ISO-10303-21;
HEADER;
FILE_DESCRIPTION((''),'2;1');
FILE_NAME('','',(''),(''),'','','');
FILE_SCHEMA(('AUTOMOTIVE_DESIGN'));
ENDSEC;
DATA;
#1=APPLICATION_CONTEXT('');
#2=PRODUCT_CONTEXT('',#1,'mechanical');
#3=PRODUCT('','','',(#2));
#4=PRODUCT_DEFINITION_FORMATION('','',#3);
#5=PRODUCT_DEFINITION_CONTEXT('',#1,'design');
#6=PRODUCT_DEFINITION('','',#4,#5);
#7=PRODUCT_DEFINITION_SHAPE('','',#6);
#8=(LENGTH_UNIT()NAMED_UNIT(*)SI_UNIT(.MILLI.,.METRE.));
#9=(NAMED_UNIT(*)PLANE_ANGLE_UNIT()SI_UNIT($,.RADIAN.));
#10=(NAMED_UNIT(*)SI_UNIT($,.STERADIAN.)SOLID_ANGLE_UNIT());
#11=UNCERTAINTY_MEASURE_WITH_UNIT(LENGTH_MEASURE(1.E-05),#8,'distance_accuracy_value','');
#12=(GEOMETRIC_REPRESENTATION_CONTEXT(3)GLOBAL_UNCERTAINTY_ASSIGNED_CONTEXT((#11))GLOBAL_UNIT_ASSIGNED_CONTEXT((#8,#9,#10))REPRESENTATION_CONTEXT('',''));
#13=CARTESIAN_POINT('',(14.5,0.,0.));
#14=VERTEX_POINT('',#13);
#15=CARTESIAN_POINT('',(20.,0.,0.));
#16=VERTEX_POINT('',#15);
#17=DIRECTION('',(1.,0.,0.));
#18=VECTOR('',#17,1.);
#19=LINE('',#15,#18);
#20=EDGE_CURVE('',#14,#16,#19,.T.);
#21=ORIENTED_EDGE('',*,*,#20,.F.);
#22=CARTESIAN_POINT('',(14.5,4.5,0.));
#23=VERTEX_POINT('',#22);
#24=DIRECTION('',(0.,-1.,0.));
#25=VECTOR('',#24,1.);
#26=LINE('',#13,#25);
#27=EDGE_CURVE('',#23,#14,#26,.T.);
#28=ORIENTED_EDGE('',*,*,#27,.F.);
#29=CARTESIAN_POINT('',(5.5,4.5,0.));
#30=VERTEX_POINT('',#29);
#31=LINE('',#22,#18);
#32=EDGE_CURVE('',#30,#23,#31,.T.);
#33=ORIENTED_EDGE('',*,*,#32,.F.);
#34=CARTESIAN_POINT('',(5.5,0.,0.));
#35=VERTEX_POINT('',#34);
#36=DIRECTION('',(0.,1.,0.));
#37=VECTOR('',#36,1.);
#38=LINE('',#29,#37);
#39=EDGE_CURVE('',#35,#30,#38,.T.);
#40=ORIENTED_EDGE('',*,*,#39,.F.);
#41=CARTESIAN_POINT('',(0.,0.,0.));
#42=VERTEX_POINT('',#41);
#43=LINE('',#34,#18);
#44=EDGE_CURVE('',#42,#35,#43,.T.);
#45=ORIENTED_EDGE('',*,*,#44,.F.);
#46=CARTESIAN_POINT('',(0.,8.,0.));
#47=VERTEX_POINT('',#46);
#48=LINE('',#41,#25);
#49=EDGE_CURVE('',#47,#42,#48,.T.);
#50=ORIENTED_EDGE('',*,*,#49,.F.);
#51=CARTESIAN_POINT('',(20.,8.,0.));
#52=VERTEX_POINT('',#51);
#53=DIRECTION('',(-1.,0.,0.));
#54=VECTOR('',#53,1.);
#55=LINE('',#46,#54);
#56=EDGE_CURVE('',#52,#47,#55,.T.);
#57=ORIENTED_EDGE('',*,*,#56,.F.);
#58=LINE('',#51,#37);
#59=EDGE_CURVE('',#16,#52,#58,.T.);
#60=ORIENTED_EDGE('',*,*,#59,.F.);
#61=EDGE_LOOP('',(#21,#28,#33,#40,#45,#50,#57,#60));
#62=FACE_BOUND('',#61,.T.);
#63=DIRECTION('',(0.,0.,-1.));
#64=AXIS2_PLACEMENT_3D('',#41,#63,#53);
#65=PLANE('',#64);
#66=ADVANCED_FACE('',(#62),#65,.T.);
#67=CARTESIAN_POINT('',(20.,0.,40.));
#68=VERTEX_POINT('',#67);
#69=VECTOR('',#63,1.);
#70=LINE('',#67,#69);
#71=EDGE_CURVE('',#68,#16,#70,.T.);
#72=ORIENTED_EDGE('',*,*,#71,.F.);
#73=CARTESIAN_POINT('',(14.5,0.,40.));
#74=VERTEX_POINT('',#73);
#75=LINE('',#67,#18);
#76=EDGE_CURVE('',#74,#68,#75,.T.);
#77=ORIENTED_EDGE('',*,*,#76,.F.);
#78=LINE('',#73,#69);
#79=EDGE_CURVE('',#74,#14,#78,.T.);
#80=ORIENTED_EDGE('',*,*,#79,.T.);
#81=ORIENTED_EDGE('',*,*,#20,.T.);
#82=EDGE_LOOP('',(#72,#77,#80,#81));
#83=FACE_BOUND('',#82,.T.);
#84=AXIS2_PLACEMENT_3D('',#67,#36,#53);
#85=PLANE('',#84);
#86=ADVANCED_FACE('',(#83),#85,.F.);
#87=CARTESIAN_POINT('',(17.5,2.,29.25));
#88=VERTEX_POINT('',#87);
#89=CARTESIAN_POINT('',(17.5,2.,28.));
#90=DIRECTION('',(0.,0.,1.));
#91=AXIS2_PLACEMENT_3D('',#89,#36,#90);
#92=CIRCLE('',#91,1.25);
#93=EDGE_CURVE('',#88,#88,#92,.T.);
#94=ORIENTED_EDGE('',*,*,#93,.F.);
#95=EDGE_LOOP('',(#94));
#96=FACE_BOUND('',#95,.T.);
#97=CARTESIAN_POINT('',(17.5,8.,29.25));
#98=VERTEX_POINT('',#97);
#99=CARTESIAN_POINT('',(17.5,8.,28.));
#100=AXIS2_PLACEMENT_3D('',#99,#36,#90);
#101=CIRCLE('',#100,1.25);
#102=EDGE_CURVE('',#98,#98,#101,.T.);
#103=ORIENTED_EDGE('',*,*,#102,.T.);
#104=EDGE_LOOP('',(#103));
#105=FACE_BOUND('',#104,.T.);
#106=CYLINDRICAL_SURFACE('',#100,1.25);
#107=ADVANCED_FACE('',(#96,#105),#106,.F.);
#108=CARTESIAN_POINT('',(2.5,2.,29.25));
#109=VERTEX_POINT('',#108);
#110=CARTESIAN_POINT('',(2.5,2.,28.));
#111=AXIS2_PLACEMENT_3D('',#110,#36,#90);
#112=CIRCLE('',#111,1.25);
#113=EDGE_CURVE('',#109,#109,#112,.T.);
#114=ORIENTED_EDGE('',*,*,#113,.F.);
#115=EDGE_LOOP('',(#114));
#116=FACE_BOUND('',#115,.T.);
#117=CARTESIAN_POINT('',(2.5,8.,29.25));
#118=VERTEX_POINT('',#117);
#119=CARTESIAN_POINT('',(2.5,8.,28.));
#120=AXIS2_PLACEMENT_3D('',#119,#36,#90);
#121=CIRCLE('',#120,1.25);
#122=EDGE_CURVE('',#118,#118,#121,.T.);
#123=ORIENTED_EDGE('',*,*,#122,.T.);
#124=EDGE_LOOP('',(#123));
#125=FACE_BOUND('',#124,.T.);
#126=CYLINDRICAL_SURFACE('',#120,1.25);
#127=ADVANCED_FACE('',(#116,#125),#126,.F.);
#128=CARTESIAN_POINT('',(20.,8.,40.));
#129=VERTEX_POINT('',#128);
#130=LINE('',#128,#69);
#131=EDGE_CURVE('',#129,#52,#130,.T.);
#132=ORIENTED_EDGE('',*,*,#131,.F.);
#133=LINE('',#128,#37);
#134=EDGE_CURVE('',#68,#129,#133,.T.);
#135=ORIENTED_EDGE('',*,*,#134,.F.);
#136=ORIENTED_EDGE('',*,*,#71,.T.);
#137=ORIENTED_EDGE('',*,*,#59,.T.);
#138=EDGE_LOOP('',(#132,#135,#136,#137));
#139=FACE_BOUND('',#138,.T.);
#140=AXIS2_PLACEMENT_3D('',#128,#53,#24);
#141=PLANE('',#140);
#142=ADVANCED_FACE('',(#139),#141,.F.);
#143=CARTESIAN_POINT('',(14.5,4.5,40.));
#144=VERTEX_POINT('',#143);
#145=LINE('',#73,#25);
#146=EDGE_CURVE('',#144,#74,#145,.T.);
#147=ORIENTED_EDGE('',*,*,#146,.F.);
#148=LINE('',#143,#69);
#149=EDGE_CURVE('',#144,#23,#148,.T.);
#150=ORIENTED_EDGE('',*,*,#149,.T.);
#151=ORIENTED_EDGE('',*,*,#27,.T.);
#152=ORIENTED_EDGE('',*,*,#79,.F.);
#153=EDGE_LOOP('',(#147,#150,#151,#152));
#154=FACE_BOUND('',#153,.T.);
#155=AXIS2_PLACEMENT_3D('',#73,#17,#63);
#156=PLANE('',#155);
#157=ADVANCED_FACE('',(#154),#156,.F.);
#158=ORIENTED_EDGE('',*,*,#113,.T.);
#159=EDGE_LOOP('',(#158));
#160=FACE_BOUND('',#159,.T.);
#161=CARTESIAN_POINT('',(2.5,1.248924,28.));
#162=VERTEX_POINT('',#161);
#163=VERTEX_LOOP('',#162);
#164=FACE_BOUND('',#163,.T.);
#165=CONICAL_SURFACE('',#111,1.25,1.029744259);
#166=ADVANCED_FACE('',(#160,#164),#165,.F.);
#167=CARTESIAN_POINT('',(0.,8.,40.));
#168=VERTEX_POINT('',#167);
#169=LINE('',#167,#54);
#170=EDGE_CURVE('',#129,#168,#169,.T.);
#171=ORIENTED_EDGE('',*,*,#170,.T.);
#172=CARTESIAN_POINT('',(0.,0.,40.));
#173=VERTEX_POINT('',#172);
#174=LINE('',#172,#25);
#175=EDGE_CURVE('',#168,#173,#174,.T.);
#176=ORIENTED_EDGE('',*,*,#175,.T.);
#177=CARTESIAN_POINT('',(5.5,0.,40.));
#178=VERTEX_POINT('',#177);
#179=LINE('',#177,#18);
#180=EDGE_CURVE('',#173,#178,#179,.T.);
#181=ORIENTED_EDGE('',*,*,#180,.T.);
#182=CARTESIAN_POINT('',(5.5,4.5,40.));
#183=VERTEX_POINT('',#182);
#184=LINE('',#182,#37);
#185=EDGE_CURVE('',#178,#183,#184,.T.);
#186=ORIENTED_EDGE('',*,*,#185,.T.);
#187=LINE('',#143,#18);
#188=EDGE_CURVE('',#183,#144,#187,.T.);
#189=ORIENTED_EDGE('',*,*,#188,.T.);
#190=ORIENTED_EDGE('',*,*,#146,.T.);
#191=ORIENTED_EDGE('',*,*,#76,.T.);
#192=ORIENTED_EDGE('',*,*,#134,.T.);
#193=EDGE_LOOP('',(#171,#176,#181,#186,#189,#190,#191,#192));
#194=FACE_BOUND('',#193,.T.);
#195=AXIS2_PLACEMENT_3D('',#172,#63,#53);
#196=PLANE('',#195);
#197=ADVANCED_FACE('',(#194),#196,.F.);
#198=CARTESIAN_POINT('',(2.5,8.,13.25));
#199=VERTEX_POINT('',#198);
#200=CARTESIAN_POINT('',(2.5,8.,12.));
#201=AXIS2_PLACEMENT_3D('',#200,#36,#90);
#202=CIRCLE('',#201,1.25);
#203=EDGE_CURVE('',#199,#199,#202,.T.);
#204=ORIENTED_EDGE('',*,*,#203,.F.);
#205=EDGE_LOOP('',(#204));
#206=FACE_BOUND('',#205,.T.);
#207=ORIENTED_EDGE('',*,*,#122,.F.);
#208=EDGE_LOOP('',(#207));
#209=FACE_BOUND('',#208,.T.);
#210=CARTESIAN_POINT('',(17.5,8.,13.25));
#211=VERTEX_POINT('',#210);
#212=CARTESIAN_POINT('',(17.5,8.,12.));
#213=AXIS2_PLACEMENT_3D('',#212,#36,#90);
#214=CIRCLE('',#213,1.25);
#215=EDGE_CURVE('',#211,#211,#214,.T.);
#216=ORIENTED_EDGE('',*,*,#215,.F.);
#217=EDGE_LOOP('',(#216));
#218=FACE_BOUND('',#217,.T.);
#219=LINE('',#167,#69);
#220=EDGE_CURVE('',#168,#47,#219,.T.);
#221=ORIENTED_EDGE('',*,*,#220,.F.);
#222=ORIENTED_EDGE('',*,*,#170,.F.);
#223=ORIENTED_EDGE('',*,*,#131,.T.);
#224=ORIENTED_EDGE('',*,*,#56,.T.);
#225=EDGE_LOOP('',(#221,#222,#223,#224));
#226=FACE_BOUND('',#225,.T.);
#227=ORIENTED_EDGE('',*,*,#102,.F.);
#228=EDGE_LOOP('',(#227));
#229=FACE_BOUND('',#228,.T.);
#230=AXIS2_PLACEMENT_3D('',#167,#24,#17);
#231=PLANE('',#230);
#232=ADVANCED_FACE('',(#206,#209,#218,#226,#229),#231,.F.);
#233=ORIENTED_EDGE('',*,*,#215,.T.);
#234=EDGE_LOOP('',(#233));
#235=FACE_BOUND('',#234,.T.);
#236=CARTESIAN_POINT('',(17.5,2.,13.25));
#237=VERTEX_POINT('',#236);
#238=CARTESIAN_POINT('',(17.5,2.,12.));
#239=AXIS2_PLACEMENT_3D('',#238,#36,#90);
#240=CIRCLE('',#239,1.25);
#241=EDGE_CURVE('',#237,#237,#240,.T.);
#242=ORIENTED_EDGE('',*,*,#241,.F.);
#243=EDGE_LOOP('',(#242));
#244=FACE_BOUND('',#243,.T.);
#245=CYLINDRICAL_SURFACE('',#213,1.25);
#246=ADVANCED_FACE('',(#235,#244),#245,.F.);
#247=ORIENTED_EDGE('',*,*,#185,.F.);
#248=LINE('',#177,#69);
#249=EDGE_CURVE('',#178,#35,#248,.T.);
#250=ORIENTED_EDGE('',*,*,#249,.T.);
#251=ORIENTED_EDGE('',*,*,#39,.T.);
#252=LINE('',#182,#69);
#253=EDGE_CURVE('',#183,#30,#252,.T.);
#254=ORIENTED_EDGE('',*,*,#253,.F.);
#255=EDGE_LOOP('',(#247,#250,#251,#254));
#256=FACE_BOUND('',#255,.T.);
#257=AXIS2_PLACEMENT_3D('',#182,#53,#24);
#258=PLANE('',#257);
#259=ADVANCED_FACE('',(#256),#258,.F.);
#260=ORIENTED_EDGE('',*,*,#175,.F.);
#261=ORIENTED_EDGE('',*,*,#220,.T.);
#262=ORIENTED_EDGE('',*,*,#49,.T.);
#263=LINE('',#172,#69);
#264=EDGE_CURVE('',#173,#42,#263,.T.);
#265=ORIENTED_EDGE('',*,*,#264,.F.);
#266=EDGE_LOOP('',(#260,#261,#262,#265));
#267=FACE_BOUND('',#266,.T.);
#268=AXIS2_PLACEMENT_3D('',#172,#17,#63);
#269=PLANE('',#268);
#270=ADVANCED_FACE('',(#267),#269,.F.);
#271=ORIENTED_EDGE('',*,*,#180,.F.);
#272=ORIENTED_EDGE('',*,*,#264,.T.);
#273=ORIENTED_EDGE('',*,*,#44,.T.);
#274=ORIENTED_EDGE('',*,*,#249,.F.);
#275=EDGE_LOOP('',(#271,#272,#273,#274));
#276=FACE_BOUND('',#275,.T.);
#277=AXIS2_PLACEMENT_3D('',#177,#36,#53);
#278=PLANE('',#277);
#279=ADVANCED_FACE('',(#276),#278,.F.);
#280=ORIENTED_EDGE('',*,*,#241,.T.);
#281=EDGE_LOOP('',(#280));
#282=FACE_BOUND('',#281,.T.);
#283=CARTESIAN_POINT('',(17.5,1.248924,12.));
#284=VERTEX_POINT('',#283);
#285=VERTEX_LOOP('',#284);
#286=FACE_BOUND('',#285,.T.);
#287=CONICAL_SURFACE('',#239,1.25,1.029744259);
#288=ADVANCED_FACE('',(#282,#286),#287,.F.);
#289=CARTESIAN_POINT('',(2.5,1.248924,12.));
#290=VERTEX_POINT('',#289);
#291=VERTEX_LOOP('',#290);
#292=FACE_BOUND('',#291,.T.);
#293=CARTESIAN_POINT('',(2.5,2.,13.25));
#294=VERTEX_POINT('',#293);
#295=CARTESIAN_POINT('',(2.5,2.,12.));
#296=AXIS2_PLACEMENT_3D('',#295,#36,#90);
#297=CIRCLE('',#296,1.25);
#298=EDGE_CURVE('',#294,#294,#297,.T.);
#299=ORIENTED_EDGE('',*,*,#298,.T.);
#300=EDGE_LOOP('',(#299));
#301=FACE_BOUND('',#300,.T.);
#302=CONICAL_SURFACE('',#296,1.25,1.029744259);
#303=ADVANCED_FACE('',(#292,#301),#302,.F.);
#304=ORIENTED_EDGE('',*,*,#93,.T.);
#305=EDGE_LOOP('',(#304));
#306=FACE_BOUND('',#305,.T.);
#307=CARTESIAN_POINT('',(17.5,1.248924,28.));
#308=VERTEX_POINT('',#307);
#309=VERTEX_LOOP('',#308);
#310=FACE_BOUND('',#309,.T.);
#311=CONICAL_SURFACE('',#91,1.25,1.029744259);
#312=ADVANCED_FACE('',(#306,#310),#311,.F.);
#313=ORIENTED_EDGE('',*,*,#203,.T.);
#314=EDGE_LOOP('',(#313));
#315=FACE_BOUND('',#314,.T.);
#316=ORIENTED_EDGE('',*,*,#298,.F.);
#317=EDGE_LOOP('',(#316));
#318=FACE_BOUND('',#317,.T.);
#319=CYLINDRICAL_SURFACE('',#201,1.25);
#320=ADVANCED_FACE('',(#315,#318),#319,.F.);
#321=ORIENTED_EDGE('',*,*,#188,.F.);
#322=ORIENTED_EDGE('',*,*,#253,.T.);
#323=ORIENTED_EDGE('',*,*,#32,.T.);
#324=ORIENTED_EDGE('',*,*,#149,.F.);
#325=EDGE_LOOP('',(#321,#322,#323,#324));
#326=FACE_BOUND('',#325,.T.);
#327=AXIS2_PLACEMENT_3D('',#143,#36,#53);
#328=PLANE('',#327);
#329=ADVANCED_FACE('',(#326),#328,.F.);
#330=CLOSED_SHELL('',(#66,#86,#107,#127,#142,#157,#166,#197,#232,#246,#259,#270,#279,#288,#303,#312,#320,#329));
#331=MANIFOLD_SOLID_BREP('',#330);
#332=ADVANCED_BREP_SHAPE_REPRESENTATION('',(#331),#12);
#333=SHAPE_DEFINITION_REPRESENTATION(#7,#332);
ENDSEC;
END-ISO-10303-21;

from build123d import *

# Parameters (mm, degrees)
BOSS_EXTRUDE1_DEPTH       = 40
M3X0_5_TAPPED_HOLE1_D     = 2.5
M3X0_5_TAPPED_HOLE1_DEPTH = 6
M3X0_5_TAPPED_HOLE1_TIP   = 0.751075774


with BuildPart() as part:
    # Sketch2 → Boss-Extrude1 (new body)
    with BuildSketch(Plane.XY):
        Polygon((0, 0), (0, 8), (20, 8), (20, 0), (14.5, 0), (14.5, 4.5), (5.5, 4.5), (5.5, 0), align=None)
    extrude(amount=BOSS_EXTRUDE1_DEPTH)

    # M3x0.5 Tapped Hole1
    with Locations(Plane(origin=(0, 8, 0), x_dir=(1, 0, 0), z_dir=(0, 1, 0))):
        with Locations((2.5, -28), (2.5, -12), (17.5, -28), (17.5, -12)):
            Hole(M3X0_5_TAPPED_HOLE1_D / 2, depth=M3X0_5_TAPPED_HOLE1_DEPTH)
            with Locations((0, 0, -(M3X0_5_TAPPED_HOLE1_DEPTH + M3X0_5_TAPPED_HOLE1_TIP / 2))):  # 118° drill point
                Cone(0, M3X0_5_TAPPED_HOLE1_D / 2, M3X0_5_TAPPED_HOLE1_TIP, mode=Mode.SUBTRACT)


solid = part.part
